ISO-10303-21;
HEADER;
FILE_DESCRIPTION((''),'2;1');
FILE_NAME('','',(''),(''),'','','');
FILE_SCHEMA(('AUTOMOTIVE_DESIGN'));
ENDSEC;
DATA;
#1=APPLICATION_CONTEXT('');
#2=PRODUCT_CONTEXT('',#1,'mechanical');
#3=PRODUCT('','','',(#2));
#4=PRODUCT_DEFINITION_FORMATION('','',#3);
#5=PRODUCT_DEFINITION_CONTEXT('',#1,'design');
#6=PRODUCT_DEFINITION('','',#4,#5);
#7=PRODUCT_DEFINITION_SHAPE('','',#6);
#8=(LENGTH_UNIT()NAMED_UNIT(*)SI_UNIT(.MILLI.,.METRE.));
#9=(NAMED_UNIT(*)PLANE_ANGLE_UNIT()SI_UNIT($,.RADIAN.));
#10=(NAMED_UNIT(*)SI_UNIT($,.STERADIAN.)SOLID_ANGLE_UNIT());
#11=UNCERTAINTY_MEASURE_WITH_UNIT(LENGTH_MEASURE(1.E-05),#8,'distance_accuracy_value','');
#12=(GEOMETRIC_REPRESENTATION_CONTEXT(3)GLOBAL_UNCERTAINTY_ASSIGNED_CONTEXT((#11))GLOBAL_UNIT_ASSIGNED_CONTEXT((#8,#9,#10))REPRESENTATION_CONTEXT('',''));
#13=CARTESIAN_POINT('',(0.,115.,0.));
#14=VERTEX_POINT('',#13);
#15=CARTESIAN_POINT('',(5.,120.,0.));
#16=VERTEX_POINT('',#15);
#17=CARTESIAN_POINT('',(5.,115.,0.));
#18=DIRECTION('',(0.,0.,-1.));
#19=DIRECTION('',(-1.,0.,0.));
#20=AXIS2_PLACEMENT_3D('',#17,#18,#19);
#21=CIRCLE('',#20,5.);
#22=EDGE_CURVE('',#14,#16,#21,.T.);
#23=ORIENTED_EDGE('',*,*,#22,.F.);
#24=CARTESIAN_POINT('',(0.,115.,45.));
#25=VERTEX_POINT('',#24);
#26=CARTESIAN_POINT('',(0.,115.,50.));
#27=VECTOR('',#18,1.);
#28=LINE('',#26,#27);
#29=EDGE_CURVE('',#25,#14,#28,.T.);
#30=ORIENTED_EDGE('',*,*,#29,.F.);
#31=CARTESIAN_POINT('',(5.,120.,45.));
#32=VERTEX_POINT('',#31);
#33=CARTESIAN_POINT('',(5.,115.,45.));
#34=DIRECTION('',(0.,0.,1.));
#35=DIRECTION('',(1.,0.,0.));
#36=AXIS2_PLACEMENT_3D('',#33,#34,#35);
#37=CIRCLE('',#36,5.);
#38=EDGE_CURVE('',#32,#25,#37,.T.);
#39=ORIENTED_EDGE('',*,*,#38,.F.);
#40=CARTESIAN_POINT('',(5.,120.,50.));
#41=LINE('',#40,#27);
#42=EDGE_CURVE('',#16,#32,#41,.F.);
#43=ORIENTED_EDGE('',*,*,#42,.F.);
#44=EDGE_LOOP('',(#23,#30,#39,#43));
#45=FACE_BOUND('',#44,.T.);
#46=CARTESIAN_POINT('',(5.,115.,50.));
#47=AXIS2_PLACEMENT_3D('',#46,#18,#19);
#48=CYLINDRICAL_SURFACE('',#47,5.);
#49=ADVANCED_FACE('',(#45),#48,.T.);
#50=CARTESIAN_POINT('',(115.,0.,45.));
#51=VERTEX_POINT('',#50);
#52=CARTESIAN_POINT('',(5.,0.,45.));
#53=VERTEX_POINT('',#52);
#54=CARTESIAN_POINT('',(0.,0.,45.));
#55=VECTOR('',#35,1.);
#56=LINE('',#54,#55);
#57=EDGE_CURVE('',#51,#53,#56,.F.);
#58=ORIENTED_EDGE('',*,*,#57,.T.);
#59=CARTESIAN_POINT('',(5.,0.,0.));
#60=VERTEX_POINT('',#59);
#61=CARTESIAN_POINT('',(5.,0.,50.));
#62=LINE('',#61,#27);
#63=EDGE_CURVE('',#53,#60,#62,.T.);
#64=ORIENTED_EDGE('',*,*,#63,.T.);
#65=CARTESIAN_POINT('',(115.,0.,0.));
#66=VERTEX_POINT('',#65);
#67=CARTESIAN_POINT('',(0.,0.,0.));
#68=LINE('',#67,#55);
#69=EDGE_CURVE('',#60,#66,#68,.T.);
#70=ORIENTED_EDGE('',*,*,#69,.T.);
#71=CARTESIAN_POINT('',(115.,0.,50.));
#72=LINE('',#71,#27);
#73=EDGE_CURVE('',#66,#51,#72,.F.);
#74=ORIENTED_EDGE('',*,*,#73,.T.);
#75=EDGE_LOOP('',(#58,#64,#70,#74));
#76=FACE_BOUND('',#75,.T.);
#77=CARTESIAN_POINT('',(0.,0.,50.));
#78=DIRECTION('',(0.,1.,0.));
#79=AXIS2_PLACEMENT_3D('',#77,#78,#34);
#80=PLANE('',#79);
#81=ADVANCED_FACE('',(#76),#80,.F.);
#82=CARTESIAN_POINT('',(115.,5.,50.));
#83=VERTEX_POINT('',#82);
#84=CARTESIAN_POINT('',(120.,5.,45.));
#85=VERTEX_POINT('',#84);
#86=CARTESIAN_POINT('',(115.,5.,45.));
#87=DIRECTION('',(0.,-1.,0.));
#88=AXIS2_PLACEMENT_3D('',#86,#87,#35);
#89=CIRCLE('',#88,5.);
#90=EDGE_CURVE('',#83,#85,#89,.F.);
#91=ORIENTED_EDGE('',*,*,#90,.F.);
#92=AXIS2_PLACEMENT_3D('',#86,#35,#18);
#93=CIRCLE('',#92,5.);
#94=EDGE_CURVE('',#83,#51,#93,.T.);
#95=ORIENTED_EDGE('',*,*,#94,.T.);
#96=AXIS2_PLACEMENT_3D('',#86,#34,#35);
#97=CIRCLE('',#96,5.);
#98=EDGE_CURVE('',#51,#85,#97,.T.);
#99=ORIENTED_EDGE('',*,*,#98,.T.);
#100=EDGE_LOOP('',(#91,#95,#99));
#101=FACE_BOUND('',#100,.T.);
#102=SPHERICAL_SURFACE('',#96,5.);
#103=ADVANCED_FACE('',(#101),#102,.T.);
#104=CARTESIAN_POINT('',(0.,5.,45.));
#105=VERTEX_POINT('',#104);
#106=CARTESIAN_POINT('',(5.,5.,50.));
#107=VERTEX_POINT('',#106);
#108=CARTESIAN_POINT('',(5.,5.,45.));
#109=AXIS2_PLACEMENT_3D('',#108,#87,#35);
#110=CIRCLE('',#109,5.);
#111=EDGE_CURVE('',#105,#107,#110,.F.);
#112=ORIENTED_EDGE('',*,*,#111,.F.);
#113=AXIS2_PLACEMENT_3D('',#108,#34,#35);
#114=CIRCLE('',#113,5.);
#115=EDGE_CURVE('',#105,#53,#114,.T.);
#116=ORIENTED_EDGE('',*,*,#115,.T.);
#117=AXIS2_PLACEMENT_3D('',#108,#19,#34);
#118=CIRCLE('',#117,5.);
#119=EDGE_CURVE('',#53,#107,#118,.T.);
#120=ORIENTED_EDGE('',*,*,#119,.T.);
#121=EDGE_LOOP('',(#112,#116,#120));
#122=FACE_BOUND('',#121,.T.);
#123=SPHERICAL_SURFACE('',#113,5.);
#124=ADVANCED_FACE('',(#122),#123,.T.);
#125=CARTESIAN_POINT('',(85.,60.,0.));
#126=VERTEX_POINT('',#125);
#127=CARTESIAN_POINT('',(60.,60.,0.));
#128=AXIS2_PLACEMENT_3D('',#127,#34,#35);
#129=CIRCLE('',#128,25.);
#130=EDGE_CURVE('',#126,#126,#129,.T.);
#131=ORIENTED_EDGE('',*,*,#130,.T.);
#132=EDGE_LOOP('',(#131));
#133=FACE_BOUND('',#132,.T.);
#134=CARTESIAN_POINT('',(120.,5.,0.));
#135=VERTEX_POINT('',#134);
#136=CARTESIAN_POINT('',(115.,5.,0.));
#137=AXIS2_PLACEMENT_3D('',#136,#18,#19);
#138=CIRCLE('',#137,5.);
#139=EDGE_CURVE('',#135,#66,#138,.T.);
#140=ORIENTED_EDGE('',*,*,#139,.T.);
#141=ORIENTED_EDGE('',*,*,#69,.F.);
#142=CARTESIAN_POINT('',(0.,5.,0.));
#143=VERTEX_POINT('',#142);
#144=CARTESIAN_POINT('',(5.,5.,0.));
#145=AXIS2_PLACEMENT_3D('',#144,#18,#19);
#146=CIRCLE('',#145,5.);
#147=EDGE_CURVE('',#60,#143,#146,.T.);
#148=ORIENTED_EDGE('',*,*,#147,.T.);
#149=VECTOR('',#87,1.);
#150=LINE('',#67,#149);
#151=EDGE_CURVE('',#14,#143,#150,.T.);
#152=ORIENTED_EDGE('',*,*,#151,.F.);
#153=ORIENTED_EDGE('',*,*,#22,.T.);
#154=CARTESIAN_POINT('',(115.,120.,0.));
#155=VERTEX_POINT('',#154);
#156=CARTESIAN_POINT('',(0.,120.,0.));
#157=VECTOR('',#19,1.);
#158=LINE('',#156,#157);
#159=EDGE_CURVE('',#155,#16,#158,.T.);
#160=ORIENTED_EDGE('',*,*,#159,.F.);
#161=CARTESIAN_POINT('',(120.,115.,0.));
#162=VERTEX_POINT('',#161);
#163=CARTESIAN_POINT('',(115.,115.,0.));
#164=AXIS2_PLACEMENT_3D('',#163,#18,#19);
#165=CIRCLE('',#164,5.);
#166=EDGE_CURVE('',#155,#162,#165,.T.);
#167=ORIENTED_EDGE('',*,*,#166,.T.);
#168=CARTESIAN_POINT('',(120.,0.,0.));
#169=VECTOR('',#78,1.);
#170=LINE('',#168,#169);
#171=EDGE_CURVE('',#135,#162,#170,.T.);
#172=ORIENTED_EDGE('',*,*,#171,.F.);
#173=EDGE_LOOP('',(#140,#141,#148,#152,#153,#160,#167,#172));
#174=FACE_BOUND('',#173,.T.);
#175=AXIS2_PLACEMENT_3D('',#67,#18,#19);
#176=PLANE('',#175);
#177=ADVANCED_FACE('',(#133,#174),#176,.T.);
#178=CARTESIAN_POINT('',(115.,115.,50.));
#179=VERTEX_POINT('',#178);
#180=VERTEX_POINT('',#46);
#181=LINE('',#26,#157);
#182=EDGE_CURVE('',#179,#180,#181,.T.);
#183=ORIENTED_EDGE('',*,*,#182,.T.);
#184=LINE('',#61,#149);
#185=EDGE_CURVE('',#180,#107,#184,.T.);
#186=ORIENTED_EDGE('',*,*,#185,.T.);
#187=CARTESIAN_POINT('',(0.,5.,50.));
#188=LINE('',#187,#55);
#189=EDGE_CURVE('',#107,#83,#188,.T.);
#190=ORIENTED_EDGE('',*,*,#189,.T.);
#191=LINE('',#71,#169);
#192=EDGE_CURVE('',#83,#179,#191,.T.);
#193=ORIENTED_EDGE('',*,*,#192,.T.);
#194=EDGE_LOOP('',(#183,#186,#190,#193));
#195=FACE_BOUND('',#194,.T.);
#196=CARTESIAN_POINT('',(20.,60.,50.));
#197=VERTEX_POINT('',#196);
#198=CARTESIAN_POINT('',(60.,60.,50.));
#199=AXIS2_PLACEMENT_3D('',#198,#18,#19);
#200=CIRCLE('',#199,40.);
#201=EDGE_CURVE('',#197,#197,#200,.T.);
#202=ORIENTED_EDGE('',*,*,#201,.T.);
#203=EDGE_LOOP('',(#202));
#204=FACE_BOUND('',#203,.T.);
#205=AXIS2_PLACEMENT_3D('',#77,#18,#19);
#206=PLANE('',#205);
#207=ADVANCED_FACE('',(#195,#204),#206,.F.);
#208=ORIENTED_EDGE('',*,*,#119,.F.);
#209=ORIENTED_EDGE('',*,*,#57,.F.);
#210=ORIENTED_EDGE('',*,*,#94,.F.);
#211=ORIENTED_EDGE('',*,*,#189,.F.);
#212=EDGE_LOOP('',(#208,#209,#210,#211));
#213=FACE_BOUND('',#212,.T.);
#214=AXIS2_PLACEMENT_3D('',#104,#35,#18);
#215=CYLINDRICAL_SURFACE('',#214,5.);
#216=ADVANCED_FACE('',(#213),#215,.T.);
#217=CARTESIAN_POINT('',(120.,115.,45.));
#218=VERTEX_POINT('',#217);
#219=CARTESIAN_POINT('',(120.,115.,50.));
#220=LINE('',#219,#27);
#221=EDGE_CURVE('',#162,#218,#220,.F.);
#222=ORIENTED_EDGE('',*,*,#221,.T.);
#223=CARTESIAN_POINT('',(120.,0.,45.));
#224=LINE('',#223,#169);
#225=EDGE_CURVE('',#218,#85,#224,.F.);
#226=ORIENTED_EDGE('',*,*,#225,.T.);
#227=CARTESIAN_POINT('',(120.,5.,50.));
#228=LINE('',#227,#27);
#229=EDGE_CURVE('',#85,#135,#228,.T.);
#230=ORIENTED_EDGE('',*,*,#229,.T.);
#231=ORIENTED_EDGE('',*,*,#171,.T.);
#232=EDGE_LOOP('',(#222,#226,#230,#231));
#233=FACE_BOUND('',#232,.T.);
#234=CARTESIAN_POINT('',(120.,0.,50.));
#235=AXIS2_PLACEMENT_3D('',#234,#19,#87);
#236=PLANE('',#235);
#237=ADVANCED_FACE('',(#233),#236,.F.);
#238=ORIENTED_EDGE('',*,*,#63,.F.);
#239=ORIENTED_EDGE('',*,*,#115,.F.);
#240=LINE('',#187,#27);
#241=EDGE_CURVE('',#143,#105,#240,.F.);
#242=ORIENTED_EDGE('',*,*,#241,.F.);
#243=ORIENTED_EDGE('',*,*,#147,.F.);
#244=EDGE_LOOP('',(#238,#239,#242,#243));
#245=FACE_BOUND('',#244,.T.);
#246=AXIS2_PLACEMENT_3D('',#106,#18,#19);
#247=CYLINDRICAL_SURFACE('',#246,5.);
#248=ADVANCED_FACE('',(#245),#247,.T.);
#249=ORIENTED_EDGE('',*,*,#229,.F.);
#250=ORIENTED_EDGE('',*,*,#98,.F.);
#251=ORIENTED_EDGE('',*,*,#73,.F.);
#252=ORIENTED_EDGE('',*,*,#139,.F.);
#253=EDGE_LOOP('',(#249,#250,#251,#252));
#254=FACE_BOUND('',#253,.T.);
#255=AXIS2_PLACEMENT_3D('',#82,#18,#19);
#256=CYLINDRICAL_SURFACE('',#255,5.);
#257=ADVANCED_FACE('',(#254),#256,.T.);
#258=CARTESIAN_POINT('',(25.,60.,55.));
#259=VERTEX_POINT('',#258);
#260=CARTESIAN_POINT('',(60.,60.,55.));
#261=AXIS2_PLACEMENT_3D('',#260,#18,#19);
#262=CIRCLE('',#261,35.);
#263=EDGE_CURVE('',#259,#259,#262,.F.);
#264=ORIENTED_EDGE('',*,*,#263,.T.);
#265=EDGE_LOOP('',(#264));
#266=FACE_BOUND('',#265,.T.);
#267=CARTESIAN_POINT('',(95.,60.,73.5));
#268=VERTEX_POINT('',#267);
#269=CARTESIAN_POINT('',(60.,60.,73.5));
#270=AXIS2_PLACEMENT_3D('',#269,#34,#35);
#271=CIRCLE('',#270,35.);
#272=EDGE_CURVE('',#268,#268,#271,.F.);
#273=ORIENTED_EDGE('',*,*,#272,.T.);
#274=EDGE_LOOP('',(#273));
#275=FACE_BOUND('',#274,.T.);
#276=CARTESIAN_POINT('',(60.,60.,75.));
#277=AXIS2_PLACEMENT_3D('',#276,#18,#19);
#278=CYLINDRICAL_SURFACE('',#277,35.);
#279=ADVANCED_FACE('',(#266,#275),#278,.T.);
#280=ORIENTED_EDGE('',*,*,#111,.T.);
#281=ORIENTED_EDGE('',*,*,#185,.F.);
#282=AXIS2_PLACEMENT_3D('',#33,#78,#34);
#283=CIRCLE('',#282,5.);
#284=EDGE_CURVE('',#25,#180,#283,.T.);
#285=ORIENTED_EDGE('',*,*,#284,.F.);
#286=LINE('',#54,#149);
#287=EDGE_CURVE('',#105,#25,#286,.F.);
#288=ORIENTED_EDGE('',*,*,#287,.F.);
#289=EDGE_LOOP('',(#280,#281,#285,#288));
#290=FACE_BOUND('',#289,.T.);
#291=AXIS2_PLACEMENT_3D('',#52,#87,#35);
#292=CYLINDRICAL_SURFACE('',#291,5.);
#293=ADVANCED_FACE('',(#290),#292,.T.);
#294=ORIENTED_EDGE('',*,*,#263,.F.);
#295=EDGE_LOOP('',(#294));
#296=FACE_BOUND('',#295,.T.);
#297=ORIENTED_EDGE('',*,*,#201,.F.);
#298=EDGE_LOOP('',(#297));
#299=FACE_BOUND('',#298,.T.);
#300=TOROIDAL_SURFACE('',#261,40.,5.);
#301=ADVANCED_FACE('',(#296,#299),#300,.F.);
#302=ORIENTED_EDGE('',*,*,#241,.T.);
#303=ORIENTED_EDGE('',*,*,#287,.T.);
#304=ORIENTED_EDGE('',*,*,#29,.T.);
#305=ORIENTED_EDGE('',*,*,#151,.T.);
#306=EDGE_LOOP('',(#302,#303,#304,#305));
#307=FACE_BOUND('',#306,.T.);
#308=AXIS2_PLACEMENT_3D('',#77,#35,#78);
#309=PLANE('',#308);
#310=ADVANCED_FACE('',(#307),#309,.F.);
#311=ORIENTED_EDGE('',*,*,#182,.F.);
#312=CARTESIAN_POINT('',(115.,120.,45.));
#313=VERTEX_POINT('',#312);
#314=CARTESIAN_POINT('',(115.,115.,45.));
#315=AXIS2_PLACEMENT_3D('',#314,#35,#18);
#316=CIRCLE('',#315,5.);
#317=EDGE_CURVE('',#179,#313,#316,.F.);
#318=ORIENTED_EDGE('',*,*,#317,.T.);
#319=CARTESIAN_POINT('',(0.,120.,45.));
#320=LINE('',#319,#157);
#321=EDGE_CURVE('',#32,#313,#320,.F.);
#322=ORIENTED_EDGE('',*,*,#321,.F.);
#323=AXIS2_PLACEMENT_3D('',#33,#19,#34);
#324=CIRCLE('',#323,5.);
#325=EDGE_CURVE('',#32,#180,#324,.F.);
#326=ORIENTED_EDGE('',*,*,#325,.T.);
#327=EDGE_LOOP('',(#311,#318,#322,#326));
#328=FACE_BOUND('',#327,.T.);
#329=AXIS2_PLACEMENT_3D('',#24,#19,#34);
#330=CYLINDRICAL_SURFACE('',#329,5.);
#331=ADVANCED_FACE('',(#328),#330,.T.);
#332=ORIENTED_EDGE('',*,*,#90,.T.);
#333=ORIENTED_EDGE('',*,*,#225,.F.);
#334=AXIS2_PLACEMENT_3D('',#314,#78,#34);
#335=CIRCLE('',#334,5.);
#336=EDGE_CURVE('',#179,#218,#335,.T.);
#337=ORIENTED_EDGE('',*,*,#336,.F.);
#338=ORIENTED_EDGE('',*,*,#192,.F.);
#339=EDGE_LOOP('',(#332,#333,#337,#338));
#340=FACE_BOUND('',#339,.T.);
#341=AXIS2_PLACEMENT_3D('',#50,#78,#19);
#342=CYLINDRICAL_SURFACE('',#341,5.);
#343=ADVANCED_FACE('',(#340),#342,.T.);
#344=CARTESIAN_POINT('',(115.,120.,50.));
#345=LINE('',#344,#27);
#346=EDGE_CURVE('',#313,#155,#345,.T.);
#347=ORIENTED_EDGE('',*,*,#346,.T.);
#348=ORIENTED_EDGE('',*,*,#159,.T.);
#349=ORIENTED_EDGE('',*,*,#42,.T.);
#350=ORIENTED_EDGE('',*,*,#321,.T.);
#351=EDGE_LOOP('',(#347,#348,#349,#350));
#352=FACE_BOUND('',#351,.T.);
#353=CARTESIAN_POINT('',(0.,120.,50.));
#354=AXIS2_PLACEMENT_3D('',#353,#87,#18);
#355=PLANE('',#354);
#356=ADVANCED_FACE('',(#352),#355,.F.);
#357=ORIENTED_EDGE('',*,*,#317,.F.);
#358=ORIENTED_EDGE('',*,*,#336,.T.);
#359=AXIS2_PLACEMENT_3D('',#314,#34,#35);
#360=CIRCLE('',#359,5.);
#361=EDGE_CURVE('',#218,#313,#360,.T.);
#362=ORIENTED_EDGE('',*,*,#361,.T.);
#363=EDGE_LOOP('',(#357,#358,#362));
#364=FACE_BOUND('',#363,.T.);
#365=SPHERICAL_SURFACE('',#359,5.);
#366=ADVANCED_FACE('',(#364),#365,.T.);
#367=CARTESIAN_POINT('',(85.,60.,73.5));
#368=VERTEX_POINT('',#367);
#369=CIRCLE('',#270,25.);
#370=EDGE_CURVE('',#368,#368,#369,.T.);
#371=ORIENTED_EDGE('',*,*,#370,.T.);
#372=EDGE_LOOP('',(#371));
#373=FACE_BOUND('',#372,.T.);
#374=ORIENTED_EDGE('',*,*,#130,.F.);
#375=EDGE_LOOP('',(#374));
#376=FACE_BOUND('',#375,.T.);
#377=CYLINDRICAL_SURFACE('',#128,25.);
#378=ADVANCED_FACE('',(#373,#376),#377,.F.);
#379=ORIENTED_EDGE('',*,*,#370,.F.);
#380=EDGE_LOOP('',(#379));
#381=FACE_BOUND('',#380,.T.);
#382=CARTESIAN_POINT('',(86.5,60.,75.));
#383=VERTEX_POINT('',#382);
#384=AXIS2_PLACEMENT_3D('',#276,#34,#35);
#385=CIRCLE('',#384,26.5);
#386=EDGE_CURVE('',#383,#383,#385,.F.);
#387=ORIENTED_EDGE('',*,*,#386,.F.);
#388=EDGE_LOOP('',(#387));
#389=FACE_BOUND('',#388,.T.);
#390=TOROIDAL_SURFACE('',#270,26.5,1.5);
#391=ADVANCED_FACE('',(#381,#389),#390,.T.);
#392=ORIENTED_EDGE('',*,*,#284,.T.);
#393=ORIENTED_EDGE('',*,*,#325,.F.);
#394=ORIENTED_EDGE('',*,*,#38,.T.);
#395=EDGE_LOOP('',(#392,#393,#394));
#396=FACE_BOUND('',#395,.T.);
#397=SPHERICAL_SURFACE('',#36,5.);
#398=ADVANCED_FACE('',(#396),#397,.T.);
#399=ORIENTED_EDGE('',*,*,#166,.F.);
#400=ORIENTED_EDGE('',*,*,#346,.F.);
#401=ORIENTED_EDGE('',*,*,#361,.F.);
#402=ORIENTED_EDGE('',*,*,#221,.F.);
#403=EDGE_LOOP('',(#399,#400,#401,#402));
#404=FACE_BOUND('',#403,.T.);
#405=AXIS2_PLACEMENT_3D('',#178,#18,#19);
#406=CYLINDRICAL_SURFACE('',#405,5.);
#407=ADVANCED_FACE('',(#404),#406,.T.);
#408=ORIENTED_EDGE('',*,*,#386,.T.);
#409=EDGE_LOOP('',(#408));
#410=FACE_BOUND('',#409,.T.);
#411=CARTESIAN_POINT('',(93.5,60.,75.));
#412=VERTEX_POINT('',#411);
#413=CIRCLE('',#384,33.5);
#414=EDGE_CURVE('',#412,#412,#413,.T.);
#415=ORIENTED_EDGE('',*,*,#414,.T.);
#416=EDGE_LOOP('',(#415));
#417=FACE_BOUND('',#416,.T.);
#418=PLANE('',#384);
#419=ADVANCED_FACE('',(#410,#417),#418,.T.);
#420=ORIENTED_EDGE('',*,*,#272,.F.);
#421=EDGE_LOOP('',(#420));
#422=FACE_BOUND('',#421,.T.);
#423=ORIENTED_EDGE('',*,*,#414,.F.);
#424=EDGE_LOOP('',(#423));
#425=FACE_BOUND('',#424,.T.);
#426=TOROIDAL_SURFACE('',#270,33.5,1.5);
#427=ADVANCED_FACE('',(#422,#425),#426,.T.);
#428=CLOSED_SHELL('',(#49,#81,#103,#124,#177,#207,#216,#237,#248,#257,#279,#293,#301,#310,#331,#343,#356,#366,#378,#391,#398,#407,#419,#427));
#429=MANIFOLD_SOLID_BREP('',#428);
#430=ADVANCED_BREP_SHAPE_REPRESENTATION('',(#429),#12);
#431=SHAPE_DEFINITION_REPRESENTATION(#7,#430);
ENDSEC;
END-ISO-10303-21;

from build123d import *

# Parameters (mm, degrees)
SKETCH1_W           = 120
SKETCH1_H           = 120
BOSS_EXTRUDE1_DEPTH = 50
SKETCH2_R           = 35
BOSS_EXTRUDE2_DEPTH = 25
SKETCH3_R           = 25
CUT_EXTRUDE1_DEPTH  = 186.539753153
FILLET1_R           = 5
FILLET2_R           = 1.5


with BuildPart() as part:
    # Sketch1 → Boss-Extrude1 (new body)
    with BuildSketch(Plane.XY):
        with Locations((60, 60)):
            Rectangle(SKETCH1_W, SKETCH1_H)
    extrude(amount=BOSS_EXTRUDE1_DEPTH)

    # Sketch2 → Boss-Extrude2 (add)
    with BuildSketch(Plane.XY.offset(50)):
        with Locations(Location((60, 60, 0), (0, 0, 180))):
            Circle(SKETCH2_R)
    extrude(amount=BOSS_EXTRUDE2_DEPTH)

    # Sketch3 → Cut-Extrude1 (cut, through all)
    with BuildSketch(Plane.XY.offset(75)):
        with Locations((60, 60)):
            Circle(SKETCH3_R)
    extrude(amount=-CUT_EXTRUDE1_DEPTH, mode=Mode.SUBTRACT)

    # Fillet1
    fillet1_edges = [part.edges().sort_by_distance(p)[0] for p in [
        (120, 60, 50),
        (60, 120, 50),
        (95, 60, 50),
        (0, 60, 50),
        (60, 0, 50),
        (0, 120, 25),
        (120, 120, 25),
        (120, 0, 25),
        (0, 0, 25),
    ]]
    fillet(fillet1_edges, radius=FILLET1_R)

    # Fillet2
    fillet2_edges = [part.edges().sort_by_distance(p)[0] for p in [
        (95, 60, 75),
        (35, 60, 75),
    ]]
    fillet(fillet2_edges, radius=FILLET2_R)


solid = part.part
